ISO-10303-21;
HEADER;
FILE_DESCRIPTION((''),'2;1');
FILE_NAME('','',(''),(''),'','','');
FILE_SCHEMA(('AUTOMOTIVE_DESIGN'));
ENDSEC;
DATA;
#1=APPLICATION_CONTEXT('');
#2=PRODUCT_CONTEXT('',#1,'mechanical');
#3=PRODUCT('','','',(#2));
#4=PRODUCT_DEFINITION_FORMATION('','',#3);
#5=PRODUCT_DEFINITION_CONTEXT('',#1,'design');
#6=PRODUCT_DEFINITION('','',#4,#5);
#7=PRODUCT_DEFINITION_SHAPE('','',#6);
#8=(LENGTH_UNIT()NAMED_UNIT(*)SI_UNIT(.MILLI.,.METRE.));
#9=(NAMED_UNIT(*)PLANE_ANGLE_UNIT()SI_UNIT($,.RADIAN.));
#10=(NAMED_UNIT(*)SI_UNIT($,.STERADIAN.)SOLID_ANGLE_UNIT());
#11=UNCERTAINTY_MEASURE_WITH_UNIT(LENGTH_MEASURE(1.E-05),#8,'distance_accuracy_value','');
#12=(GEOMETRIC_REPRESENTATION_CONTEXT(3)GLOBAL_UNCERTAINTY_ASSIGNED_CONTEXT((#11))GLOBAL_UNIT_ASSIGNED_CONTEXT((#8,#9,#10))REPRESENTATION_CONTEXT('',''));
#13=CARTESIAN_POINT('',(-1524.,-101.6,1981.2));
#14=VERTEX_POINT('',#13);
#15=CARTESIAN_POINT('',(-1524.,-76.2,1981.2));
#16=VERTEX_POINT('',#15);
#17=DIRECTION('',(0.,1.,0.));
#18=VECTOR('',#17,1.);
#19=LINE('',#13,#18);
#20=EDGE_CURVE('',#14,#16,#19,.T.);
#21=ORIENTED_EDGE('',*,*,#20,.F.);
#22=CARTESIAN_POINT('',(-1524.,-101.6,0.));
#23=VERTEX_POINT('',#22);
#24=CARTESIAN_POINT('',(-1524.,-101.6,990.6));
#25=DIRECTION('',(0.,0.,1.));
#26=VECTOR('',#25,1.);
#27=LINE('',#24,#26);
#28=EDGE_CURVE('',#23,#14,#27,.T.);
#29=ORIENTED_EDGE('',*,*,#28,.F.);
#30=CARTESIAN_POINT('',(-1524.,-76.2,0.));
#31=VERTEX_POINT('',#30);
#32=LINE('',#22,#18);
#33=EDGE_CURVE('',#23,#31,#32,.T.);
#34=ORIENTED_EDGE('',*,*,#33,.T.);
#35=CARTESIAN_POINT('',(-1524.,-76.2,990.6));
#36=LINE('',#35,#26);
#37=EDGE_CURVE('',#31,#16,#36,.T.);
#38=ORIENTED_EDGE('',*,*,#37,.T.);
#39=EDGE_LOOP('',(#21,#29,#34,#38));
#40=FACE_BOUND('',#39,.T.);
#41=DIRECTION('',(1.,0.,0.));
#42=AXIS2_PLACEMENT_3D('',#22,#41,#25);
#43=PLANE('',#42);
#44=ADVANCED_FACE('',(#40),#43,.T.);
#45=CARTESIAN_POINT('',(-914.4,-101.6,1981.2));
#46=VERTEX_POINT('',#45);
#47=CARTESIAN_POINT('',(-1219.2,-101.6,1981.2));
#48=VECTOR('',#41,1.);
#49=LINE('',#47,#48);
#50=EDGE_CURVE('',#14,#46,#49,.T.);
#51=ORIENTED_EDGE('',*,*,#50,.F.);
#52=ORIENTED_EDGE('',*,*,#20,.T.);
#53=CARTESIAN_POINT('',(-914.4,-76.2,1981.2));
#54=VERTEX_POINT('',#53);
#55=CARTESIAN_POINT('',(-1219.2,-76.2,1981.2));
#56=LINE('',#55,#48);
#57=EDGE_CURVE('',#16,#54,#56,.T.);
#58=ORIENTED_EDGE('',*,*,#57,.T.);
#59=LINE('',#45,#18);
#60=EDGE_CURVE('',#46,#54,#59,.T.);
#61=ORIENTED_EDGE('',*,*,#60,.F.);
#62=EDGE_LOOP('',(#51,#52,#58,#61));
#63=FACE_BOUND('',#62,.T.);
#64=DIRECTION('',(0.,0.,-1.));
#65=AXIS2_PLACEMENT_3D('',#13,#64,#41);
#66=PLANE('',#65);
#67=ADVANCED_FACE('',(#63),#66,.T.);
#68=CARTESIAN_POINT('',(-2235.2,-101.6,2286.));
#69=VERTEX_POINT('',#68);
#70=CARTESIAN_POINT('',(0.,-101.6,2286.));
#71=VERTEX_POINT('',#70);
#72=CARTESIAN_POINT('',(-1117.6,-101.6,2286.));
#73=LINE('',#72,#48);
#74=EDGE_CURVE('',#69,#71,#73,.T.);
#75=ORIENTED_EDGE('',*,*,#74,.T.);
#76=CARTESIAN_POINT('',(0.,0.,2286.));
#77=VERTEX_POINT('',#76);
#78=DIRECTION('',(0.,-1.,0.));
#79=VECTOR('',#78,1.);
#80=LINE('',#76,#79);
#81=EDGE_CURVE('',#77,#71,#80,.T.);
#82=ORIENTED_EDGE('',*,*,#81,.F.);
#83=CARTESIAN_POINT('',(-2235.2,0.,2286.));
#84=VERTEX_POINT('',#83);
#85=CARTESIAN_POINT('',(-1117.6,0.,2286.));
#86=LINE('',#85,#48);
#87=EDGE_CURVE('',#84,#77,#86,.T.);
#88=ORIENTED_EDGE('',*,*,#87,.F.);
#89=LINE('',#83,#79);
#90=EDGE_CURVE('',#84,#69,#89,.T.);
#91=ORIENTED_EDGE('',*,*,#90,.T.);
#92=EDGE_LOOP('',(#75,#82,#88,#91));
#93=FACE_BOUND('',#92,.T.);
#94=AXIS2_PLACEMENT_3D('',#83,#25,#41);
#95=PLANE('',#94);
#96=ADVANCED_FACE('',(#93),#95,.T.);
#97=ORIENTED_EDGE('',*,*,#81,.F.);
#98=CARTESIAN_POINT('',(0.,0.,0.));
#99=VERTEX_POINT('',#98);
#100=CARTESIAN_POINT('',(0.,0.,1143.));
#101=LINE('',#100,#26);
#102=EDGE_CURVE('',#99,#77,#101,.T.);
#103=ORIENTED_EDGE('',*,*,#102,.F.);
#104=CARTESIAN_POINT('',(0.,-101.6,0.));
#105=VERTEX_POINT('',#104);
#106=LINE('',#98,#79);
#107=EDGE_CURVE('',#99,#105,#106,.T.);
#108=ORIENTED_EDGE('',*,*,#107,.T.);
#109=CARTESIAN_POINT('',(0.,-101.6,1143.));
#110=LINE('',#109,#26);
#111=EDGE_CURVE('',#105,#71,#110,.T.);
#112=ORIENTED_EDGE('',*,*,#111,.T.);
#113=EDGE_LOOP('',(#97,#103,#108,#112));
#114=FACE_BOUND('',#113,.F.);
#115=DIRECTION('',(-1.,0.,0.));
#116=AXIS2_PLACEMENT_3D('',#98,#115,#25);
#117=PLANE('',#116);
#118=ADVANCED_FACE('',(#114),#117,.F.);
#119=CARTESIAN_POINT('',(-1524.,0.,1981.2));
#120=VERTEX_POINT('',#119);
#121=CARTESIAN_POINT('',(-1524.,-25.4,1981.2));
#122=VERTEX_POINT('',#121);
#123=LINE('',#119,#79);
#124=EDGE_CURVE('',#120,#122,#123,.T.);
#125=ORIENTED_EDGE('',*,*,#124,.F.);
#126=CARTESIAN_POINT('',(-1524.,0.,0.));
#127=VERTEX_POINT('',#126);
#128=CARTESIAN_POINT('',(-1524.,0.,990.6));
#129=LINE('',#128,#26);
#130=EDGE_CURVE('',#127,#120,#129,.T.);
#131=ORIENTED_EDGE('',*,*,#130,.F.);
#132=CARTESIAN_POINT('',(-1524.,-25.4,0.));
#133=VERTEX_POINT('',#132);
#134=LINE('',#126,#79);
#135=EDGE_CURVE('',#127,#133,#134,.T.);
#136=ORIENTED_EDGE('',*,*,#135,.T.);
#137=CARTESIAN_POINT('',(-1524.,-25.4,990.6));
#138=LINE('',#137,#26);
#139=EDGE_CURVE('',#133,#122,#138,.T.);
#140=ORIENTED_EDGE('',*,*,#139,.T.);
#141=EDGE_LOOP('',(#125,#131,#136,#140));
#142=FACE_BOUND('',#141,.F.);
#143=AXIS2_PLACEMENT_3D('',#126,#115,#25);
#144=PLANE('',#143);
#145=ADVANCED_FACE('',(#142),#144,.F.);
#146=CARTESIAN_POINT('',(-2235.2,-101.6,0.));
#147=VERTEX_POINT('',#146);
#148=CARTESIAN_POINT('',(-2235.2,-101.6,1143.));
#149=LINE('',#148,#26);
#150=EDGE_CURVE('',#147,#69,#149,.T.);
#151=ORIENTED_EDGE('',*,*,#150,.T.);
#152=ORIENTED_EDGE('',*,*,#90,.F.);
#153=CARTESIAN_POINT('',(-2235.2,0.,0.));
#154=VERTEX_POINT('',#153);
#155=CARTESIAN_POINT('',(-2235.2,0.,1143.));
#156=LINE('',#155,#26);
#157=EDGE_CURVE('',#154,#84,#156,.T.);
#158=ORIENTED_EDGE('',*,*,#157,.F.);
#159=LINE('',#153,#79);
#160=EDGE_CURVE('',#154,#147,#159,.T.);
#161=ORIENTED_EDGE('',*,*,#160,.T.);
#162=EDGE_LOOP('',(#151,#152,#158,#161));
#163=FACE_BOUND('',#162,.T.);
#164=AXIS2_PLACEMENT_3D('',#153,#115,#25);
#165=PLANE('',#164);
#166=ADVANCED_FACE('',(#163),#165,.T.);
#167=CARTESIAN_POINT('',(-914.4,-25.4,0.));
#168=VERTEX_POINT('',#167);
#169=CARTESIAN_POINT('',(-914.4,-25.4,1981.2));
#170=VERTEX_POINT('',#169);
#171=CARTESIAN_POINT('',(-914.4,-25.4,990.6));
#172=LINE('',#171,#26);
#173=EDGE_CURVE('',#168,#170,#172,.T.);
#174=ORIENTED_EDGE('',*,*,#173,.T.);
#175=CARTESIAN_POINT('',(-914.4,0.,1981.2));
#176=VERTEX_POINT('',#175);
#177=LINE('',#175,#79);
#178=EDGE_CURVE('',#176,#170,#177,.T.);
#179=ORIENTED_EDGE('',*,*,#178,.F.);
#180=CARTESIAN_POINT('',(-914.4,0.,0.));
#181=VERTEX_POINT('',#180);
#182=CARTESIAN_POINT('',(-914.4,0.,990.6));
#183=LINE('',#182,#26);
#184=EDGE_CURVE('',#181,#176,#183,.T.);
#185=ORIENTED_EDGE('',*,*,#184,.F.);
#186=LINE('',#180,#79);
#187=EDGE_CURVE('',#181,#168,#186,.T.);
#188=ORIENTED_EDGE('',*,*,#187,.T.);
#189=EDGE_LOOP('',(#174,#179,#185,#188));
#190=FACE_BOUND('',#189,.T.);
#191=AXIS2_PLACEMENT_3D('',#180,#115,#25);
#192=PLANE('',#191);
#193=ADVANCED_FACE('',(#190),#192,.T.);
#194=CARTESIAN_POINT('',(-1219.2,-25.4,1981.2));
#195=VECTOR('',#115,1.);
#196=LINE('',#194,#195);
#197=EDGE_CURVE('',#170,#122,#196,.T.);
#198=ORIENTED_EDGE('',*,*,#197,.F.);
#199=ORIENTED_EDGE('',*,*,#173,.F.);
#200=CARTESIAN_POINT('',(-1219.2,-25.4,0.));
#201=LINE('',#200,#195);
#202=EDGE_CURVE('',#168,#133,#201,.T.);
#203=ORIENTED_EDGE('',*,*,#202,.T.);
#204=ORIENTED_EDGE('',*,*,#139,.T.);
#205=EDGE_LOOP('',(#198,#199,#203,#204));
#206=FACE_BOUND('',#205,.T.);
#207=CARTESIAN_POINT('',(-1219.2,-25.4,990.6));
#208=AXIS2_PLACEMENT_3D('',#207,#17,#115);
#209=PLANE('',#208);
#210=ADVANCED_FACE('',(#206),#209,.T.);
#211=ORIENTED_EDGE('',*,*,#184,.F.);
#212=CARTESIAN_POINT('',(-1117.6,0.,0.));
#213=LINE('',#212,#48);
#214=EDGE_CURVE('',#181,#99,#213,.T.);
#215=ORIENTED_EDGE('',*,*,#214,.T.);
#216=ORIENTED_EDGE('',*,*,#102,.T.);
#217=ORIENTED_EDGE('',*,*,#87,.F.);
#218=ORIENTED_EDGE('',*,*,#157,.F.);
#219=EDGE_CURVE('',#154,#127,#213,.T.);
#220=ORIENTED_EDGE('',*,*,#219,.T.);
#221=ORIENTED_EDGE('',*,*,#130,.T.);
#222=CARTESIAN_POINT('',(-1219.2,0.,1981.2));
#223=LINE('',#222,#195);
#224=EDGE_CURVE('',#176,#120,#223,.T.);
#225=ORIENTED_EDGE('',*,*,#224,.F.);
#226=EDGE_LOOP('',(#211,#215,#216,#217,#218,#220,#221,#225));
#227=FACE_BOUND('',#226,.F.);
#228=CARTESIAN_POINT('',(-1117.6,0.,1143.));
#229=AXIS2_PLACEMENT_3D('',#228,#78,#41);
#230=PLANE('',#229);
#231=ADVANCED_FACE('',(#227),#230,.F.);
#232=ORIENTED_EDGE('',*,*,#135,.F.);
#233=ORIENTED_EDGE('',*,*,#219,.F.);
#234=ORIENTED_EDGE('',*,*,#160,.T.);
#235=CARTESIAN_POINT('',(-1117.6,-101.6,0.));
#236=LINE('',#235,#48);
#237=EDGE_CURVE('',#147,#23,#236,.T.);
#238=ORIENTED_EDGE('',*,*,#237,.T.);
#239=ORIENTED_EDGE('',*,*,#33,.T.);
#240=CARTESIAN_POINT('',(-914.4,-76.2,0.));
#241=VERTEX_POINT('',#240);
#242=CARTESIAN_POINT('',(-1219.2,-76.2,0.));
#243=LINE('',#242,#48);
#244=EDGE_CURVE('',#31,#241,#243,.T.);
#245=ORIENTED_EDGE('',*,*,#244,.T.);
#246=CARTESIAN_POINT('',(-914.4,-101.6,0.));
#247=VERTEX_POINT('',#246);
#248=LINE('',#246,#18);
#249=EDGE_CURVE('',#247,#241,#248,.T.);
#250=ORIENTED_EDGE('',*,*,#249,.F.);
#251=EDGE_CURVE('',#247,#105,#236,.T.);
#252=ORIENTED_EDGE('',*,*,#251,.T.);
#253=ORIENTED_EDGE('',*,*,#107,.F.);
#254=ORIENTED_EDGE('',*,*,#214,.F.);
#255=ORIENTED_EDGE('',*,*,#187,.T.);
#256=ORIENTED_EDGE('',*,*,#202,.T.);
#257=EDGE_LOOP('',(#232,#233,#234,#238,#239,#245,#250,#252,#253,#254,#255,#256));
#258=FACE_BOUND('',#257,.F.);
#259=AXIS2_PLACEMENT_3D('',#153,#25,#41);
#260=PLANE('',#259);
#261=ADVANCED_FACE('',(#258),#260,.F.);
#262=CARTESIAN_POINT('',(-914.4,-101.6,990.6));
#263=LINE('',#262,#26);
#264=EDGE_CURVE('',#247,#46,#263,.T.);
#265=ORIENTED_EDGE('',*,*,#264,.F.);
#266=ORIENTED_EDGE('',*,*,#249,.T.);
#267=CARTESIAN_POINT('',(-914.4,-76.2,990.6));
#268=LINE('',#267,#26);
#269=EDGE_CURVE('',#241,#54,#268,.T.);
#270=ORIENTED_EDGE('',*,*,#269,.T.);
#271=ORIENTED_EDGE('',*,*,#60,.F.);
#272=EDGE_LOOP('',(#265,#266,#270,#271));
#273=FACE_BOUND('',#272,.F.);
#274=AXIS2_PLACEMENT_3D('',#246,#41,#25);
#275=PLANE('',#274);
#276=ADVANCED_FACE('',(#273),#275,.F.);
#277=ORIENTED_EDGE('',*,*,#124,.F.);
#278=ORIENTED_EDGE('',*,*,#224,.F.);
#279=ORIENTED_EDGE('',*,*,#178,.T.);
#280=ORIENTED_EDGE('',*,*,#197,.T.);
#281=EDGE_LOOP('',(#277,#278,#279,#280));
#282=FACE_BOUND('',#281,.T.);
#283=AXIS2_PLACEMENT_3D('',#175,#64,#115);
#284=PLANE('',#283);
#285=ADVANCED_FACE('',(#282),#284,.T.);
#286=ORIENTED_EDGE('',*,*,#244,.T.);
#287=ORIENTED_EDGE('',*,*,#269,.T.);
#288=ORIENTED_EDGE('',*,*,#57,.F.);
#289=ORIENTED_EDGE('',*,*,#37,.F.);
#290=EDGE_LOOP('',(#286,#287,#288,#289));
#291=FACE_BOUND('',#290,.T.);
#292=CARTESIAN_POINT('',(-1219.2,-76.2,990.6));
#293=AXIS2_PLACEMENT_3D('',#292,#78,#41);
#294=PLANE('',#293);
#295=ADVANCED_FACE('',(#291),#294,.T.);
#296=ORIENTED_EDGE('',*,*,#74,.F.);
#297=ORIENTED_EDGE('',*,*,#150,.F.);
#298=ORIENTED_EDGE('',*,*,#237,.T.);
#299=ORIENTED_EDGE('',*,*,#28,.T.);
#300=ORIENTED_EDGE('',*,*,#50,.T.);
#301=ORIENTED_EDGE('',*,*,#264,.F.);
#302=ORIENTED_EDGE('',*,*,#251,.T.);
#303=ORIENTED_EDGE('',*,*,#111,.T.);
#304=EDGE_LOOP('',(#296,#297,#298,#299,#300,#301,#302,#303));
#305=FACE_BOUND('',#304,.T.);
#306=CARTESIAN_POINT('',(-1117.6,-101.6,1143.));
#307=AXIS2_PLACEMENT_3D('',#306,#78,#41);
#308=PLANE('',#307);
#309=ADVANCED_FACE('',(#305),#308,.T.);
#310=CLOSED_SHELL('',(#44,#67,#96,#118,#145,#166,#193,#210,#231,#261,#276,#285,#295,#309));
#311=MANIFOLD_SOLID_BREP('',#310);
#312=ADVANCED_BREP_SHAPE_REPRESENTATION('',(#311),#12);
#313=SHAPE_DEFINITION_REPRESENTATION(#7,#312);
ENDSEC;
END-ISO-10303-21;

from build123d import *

# Parameters (mm, degrees)
F0_W     = 2235.2
F0_H     = 2286
F1_DEPTH = 101.6
F2_W     = 609.6
F2_H     = 1981.2
F3_DEPTH = 25.4
F4_W     = 609.6
F4_H     = 1981.2
F5_DEPTH = 25.4


with BuildPart() as f1:
    # F0 (on Front) → F1 (new body)
    with BuildSketch(Plane.XZ):
        with Locations((-1117.6, 1143)):
            Rectangle(F0_W, F0_H)
    extrude(amount=F1_DEPTH)

    # F2 (on face) → F3 (cut)
    with BuildSketch(Plane.XZ.offset(101.6)):
        with Locations((-1219.2, 990.6)):
            Rectangle(F2_W, F2_H)
    extrude(amount=-F3_DEPTH, mode=Mode.SUBTRACT)

    # F4 (on face) → F5 (cut)
    with BuildSketch(Plane(origin=(0, 0, 0), x_dir=(-1, 0, 0), z_dir=(0, 1, 0))):
        with Locations((1219.2, 990.6)):
            Rectangle(F4_W, F4_H)
    extrude(amount=-F5_DEPTH, mode=Mode.SUBTRACT)


solid = f1.part
